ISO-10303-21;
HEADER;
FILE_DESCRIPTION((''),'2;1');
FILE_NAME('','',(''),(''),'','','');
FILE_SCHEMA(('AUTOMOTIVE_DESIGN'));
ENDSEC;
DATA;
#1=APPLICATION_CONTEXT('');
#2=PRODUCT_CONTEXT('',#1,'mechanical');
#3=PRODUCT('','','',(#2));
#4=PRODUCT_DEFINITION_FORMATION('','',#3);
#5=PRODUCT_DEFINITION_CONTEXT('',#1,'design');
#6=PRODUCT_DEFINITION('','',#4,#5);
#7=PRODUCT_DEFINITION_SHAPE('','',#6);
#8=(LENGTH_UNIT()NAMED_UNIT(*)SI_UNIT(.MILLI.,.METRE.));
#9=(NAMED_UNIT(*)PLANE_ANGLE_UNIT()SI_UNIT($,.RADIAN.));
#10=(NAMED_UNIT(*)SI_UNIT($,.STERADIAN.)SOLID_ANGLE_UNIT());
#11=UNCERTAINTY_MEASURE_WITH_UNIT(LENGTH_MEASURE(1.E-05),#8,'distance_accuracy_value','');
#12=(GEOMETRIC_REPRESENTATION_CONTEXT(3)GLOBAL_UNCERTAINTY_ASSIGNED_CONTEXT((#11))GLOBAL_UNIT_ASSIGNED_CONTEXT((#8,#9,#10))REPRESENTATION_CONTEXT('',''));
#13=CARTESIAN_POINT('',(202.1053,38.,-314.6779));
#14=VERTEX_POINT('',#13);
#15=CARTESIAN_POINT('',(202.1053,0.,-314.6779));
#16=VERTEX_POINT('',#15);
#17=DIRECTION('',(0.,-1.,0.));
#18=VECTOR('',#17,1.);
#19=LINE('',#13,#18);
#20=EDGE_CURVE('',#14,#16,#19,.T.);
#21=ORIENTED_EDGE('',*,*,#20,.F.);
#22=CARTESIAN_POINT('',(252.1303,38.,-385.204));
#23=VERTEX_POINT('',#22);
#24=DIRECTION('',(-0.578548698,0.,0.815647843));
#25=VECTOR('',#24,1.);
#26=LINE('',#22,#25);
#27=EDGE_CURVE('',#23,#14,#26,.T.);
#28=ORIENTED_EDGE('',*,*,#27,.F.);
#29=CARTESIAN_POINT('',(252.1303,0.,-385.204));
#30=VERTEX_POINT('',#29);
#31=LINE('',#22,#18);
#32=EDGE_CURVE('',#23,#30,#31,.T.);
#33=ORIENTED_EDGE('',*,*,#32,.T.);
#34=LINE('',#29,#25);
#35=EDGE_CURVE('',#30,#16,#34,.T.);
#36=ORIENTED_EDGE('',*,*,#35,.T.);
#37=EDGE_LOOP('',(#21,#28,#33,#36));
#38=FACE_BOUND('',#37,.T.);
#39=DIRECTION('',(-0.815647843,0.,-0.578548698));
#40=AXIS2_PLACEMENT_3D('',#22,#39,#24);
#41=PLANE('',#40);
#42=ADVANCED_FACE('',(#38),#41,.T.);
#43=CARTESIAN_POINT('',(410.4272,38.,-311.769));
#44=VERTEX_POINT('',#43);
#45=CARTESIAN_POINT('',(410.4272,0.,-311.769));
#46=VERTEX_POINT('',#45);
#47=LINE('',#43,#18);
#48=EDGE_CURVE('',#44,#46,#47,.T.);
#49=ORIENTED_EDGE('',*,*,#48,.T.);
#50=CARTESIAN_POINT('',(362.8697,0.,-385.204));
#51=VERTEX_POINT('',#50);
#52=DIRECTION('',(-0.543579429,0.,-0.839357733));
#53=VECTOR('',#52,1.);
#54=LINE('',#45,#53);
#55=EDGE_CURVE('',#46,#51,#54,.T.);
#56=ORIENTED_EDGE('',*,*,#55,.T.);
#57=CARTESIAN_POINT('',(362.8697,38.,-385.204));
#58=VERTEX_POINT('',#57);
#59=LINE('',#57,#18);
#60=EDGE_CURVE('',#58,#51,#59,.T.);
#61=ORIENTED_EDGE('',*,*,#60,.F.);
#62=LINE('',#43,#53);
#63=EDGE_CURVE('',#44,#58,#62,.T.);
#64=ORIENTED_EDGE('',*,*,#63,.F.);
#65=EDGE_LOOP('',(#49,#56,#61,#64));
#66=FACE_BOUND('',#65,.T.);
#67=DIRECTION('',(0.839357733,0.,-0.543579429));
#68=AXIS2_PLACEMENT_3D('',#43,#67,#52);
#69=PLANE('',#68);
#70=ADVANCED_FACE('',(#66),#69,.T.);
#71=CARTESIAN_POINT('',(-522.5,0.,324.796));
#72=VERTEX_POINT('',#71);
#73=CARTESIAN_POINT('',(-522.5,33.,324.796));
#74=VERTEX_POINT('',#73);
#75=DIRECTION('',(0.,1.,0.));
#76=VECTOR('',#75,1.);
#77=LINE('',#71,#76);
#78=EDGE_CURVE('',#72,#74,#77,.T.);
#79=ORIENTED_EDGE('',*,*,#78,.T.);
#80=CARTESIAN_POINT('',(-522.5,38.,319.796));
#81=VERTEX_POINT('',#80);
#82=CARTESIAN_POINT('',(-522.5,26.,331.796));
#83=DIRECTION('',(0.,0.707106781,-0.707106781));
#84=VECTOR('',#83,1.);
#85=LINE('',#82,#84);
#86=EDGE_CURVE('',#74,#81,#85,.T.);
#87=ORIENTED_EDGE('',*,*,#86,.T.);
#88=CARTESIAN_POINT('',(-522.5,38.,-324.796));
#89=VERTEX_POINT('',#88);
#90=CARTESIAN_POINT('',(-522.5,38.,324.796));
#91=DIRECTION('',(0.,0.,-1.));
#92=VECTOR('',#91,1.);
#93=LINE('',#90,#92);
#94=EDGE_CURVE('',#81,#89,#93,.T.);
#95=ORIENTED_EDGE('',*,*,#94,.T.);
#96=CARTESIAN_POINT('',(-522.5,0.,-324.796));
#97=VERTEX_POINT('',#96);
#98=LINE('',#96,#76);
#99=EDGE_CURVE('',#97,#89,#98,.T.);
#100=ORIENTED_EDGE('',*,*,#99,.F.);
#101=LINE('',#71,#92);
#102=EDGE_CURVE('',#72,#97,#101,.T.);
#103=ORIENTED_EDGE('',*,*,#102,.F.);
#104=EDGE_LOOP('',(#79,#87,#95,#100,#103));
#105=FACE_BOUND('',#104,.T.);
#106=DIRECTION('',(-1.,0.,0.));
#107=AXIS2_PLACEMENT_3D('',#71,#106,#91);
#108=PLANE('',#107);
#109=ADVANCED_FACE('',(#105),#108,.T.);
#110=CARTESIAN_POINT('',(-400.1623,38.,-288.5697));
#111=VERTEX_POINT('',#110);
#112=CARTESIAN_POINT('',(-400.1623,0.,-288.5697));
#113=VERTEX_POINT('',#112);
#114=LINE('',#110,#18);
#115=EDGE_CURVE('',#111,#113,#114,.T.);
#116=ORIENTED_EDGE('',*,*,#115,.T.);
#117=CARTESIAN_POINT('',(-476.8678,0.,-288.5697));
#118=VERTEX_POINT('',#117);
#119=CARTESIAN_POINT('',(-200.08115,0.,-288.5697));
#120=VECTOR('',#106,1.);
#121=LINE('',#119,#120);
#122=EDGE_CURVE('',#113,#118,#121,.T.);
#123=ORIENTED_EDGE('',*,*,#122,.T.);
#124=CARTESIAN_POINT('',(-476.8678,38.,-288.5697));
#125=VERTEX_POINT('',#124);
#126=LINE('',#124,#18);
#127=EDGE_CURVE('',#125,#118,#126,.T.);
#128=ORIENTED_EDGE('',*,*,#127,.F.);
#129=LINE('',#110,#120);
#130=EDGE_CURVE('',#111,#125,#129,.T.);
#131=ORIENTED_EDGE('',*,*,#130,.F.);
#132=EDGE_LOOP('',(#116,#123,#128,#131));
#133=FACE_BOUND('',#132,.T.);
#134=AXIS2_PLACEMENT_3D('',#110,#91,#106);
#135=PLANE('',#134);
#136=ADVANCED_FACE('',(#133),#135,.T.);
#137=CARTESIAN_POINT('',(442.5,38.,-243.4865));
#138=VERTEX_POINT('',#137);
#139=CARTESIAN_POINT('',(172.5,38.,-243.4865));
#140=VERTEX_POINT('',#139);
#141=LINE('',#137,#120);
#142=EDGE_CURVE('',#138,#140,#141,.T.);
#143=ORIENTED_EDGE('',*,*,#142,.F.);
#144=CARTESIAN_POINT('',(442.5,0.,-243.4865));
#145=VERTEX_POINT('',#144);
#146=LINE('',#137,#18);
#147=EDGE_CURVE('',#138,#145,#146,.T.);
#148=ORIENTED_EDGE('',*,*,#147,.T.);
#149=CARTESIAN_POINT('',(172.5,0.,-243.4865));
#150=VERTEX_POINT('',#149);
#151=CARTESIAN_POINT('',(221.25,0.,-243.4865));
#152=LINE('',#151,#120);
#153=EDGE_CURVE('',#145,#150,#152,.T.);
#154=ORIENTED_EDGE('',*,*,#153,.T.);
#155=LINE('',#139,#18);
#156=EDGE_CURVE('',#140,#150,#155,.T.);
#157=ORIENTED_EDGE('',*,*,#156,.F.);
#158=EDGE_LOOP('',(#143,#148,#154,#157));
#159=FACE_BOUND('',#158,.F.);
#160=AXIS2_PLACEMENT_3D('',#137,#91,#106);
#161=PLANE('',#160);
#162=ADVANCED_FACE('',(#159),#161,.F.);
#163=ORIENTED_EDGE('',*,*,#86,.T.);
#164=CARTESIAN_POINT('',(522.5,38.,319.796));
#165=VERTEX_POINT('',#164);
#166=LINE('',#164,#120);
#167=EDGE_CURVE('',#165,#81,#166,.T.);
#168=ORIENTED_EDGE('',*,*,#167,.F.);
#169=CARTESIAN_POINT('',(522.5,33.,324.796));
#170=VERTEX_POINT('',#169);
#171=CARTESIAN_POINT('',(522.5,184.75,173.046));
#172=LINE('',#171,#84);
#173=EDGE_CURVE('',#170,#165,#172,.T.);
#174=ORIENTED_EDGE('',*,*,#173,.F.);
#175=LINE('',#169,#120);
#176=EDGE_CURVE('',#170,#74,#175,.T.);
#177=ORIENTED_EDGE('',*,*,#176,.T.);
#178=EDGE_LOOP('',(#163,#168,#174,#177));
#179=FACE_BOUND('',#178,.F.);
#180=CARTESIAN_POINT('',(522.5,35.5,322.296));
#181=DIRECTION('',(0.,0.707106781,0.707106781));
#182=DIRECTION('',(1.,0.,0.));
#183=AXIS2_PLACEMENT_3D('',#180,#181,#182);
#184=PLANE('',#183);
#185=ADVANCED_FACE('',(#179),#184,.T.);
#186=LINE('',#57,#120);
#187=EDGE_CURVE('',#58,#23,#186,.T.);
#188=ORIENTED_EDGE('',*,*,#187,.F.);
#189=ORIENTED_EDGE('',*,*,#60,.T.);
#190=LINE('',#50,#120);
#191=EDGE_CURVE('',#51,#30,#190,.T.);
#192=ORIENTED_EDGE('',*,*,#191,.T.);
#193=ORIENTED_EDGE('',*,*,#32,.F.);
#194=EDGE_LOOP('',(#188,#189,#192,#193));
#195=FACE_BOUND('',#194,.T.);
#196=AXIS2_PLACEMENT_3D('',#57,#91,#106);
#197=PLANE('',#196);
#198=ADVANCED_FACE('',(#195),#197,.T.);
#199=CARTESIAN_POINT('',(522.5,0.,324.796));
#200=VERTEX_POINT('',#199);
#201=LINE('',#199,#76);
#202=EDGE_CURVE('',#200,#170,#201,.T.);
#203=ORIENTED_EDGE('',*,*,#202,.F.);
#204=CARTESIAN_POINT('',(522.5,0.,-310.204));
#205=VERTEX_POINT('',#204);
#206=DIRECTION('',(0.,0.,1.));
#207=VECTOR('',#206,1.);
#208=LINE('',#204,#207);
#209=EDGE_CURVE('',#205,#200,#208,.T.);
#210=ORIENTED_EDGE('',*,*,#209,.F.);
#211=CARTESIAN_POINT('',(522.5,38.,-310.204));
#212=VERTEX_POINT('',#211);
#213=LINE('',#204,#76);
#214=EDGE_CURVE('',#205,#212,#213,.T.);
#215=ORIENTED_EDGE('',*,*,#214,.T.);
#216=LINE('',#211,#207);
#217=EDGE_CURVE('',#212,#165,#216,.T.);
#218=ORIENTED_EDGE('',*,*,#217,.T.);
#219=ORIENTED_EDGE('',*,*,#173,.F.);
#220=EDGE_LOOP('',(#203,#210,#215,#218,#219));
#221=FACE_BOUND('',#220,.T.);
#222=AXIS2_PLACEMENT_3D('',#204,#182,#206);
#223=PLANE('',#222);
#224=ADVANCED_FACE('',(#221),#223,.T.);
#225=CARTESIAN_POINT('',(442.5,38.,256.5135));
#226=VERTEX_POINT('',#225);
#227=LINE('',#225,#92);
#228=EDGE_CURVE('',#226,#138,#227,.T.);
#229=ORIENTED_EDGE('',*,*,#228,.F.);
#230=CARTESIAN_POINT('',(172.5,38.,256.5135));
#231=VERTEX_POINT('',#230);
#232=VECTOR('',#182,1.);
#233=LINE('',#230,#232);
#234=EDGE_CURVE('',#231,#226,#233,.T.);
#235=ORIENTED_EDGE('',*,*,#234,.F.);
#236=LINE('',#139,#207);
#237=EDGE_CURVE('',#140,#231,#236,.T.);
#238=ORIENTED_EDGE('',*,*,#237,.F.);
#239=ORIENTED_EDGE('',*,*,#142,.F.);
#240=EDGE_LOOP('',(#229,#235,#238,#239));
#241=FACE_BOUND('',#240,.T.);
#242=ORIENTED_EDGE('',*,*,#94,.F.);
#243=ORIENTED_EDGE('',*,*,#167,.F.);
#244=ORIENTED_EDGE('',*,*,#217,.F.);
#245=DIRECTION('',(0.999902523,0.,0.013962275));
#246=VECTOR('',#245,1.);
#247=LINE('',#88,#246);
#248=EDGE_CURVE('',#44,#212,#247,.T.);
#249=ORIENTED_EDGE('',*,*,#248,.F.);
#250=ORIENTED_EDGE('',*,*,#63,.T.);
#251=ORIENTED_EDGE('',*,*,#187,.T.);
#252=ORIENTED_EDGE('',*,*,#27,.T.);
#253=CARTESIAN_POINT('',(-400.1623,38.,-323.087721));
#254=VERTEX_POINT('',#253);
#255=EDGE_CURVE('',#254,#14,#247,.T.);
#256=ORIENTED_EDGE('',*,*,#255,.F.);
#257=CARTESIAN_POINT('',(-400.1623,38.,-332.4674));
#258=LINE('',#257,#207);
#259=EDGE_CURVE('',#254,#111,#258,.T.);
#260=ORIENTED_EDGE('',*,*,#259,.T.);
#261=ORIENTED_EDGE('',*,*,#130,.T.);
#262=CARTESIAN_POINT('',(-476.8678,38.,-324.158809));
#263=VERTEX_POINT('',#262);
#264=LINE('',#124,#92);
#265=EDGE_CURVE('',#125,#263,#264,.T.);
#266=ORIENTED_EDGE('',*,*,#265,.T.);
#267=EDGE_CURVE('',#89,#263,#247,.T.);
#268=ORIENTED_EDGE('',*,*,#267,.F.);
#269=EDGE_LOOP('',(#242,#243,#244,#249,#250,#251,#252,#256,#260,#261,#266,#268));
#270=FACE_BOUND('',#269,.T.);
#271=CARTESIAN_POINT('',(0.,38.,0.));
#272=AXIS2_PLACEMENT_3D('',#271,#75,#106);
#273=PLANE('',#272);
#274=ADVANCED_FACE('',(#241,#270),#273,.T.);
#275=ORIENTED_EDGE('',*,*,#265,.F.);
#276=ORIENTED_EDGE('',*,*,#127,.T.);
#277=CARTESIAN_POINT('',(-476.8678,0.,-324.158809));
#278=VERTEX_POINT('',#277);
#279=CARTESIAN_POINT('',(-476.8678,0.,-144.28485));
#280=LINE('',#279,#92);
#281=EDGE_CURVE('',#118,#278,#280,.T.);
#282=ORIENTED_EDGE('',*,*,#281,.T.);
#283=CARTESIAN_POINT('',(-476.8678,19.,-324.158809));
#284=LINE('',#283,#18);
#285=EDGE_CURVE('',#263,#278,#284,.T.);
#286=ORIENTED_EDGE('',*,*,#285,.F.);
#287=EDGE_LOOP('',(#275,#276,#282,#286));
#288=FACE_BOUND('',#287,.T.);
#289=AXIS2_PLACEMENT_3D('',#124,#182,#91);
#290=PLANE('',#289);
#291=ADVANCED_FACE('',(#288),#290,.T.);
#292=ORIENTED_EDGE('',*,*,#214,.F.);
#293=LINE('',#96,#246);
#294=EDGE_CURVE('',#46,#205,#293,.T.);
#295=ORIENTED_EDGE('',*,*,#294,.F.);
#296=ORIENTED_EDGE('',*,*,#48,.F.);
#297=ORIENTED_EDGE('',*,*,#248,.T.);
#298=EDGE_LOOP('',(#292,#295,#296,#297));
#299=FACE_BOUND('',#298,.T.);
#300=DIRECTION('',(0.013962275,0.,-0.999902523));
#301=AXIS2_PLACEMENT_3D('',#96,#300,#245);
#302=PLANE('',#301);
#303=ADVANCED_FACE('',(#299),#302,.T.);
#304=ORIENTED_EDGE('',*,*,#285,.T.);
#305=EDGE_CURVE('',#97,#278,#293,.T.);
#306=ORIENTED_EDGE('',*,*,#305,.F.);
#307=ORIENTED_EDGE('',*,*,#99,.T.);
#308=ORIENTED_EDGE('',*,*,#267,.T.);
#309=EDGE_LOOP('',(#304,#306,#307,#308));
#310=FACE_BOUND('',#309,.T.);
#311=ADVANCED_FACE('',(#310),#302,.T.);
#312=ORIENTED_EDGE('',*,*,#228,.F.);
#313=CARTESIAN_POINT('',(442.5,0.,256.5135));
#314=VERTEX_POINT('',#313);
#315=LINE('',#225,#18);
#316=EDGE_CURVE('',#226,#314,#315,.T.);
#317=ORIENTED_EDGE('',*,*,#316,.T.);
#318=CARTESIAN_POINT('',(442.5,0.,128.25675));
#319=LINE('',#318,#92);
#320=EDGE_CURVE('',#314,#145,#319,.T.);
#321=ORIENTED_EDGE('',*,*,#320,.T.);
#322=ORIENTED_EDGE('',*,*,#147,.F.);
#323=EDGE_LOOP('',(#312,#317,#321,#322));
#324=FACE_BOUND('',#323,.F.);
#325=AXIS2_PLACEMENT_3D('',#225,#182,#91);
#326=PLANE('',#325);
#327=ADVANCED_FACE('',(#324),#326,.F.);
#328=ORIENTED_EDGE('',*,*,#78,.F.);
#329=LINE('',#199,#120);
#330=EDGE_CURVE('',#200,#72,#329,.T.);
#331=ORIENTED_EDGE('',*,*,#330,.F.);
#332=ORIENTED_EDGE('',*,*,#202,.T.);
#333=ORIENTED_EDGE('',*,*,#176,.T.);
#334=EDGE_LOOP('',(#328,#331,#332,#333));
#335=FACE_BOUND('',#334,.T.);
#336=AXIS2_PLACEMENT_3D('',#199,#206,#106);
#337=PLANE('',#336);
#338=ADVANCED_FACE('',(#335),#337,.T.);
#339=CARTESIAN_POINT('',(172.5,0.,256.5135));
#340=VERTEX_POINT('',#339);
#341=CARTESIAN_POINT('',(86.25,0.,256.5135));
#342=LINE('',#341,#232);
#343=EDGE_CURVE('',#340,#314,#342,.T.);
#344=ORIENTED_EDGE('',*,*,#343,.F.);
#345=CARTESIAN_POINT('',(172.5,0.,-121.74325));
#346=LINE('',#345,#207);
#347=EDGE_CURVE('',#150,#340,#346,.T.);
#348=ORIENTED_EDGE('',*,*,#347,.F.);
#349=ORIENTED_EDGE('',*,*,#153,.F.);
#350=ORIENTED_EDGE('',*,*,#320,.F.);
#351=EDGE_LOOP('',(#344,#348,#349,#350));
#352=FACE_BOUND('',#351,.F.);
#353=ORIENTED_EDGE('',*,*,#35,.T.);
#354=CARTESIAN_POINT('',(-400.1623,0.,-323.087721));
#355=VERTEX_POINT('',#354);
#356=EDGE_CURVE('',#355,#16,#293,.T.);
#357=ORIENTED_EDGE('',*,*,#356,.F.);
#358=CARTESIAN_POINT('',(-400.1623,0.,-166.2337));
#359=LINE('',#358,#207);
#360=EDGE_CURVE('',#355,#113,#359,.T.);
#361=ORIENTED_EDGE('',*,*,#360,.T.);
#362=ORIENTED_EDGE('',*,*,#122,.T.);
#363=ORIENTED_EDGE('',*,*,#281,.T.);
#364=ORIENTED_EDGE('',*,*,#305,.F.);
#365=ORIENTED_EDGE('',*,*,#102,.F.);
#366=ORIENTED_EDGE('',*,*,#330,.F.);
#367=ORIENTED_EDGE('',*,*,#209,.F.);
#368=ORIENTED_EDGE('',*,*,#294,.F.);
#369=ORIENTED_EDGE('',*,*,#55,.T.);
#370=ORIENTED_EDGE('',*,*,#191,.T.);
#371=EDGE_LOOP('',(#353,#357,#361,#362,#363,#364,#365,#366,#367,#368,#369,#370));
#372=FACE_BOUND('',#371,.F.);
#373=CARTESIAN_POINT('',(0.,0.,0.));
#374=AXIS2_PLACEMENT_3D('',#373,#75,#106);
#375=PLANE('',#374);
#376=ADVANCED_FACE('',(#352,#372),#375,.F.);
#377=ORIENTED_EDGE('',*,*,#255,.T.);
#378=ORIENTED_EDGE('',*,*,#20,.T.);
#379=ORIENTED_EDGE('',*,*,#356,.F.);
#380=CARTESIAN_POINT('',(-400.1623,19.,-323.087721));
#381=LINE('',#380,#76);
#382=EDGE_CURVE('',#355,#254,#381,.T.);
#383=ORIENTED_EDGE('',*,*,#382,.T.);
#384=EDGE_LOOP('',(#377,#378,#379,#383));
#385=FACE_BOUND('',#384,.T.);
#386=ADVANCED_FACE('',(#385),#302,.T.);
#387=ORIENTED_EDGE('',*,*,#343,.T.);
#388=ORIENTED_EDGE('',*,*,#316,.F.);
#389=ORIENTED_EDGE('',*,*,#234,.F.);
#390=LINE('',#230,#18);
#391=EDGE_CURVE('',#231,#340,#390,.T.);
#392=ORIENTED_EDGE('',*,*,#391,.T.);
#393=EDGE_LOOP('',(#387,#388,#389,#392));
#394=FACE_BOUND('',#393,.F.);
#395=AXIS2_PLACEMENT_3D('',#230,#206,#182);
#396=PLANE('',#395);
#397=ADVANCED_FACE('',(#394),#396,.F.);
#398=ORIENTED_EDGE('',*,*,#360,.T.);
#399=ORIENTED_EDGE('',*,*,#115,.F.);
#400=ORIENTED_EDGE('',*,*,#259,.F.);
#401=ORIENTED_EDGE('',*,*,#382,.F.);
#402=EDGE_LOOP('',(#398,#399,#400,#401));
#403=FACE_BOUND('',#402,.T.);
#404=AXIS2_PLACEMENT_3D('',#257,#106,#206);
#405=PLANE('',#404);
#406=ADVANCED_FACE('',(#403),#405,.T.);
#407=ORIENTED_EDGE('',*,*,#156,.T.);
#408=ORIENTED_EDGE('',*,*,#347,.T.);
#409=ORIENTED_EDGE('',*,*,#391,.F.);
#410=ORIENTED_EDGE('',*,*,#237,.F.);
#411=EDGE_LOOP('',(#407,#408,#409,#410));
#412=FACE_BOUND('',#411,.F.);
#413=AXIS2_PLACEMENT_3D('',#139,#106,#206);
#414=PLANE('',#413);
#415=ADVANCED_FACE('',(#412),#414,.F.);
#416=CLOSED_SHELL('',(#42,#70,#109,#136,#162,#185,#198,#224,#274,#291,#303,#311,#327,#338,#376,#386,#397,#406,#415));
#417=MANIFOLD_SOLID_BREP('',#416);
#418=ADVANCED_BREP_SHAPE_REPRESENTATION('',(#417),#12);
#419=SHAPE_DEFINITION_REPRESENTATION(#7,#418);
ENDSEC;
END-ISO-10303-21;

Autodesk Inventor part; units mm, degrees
ref_plane "YZ Plane" through (0, 0, 0) normal (1, 0, 0) x (0, 1, 0)
ref_plane "XZ Plane" through (0, 0, 0) normal (0, 1, 0) x (-1, 0, 0)
ref_plane "XY Plane" through (0, 0, 0) normal (0, 0, 1) x (1, 0, 0)
sketch "Sketch1" plane through (0, 0, 0) normal (0, 1, 0) x (-1, 0, 0)
  line L0 (522.5, -324.796) -> (-522.5, -310.204)
  line L1 (-522.5, -310.204) -> (-522.5, 324.796)
  line L2 (-522.5, 324.796) -> (522.5, 324.796)
  line L3 (522.5, 324.796) -> (522.5, -324.796)
  line L4 (522.5, 324.796) -> (-522.5, -310.204) construction
  line L5 (522.5, -324.796) -> (-522.5, 324.796) construction
  point P0 (0, 0)
  point P1 (0, 0)
  dimension "d2" = 635
  dimension "d26" = 1045
  dimension "d27" = 90.8
extrude "Extrusion1" add sketch "Sketch1" along normal blind 38
chamfer "Chamfer1" distance 5 angle 45 1 edges at (0, 38, 324.796)
sketch "Sketch3" plane through (0, 38, 0) normal (0, 1, 0) x (1, 0, 0)
  line L0 (522.5, -319.796) -> (-522.5, -319.796) projected
  line L1 (522.5, -319.796) -> (522.5, 310.204) projected
  line L2 (522.5, 310.204) -> (-522.5, 324.796) projected
  line L3 (-522.5, 324.796) -> (-522.5, -319.796) projected
  line L4 (410.4272, 311.769) -> (362.8697, 385.204)
  line L5 (362.8697, 385.204) -> (252.1303, 385.204)
  line L6 (252.1303, 385.204) -> (202.1053, 314.6779)
  line L7 (-522.5, 324.796) -> (522.5, 310.204) projected
  line L8 (-522.5, -324.796) -> (522.5, -324.796) projected
  point P0 (0, 0)
  point P1 (307.5, 385.204)
  dimension "d28" = 710
  dimension "d31" = 215
extrude "Extrusion3" add sketch "Sketch3" against normal up to surface (38 mm away) contours L2 L6 L5 L4
sketch "Sketch4" plane through (0, 38, 0) normal (0, 1, 0) x (1, 0, 0)
  line L0 (172.5, -256.5135) -> (442.5, -256.5135)
  line L1 (442.5, -256.5135) -> (442.5, 243.4865)
  line L2 (442.5, 243.4865) -> (172.5, 243.4865)
  line L3 (172.5, 243.4865) -> (172.5, -256.5135)
  line L4 (172.5, -256.5135) -> (442.5, 243.4865) construction
  line L5 (442.5, -256.5135) -> (172.5, 243.4865) construction
  line L6 (-198.0288, 311.769) -> (410.4272, 311.769) construction
  line L7 (172.5, 243.4865) -> (172.5, 311.769) construction
  line L8 (172.5, -256.5135) -> (172.5, -324.796) construction
  line L9 (522.5, -324.796) -> (-522.5, -324.796) projected
  line L10 (522.5, -319.796) -> (522.5, 310.204) projected
  point P0 (0, 0)
  point P1 (307.5, -6.5135)
  dimension "d21" = 270
  dimension "d22" = 500
  dimension "d25" = 68.2825
  dimension "d32" = 215
extrude "Extrusion4" cut sketch "Sketch4" against normal through all
sketch "Sketch5" plane through (0, 38, 0) normal (0, 1, 0) x (1, 0, 0)
  line L0 (-400.1623, 288.5697) -> (-476.8678, 288.5697)
  line L1 (-476.8678, 288.5697) -> (-476.8678, 332.4674)
  line L2 (-476.8678, 332.4674) -> (-400.1623, 332.4674)
  line L3 (-400.1623, 332.4674) -> (-400.1623, 288.5697)
  point P0 (0, 0)
extrude "Extrusion5" cut sketch "Sketch5" against normal through all
equation "\"d2\" = counterDepth"
equation "\"lumberWidth\" = 58"
equation "\"lumberDepth\" = 108"
equation "\"counterThickness\" = 38"
equation "\"counterHeight\" = 858"
equation "\"counterDepth\" = 635"
properties part number "stoveCountertop" material "Wood (Maple)"
